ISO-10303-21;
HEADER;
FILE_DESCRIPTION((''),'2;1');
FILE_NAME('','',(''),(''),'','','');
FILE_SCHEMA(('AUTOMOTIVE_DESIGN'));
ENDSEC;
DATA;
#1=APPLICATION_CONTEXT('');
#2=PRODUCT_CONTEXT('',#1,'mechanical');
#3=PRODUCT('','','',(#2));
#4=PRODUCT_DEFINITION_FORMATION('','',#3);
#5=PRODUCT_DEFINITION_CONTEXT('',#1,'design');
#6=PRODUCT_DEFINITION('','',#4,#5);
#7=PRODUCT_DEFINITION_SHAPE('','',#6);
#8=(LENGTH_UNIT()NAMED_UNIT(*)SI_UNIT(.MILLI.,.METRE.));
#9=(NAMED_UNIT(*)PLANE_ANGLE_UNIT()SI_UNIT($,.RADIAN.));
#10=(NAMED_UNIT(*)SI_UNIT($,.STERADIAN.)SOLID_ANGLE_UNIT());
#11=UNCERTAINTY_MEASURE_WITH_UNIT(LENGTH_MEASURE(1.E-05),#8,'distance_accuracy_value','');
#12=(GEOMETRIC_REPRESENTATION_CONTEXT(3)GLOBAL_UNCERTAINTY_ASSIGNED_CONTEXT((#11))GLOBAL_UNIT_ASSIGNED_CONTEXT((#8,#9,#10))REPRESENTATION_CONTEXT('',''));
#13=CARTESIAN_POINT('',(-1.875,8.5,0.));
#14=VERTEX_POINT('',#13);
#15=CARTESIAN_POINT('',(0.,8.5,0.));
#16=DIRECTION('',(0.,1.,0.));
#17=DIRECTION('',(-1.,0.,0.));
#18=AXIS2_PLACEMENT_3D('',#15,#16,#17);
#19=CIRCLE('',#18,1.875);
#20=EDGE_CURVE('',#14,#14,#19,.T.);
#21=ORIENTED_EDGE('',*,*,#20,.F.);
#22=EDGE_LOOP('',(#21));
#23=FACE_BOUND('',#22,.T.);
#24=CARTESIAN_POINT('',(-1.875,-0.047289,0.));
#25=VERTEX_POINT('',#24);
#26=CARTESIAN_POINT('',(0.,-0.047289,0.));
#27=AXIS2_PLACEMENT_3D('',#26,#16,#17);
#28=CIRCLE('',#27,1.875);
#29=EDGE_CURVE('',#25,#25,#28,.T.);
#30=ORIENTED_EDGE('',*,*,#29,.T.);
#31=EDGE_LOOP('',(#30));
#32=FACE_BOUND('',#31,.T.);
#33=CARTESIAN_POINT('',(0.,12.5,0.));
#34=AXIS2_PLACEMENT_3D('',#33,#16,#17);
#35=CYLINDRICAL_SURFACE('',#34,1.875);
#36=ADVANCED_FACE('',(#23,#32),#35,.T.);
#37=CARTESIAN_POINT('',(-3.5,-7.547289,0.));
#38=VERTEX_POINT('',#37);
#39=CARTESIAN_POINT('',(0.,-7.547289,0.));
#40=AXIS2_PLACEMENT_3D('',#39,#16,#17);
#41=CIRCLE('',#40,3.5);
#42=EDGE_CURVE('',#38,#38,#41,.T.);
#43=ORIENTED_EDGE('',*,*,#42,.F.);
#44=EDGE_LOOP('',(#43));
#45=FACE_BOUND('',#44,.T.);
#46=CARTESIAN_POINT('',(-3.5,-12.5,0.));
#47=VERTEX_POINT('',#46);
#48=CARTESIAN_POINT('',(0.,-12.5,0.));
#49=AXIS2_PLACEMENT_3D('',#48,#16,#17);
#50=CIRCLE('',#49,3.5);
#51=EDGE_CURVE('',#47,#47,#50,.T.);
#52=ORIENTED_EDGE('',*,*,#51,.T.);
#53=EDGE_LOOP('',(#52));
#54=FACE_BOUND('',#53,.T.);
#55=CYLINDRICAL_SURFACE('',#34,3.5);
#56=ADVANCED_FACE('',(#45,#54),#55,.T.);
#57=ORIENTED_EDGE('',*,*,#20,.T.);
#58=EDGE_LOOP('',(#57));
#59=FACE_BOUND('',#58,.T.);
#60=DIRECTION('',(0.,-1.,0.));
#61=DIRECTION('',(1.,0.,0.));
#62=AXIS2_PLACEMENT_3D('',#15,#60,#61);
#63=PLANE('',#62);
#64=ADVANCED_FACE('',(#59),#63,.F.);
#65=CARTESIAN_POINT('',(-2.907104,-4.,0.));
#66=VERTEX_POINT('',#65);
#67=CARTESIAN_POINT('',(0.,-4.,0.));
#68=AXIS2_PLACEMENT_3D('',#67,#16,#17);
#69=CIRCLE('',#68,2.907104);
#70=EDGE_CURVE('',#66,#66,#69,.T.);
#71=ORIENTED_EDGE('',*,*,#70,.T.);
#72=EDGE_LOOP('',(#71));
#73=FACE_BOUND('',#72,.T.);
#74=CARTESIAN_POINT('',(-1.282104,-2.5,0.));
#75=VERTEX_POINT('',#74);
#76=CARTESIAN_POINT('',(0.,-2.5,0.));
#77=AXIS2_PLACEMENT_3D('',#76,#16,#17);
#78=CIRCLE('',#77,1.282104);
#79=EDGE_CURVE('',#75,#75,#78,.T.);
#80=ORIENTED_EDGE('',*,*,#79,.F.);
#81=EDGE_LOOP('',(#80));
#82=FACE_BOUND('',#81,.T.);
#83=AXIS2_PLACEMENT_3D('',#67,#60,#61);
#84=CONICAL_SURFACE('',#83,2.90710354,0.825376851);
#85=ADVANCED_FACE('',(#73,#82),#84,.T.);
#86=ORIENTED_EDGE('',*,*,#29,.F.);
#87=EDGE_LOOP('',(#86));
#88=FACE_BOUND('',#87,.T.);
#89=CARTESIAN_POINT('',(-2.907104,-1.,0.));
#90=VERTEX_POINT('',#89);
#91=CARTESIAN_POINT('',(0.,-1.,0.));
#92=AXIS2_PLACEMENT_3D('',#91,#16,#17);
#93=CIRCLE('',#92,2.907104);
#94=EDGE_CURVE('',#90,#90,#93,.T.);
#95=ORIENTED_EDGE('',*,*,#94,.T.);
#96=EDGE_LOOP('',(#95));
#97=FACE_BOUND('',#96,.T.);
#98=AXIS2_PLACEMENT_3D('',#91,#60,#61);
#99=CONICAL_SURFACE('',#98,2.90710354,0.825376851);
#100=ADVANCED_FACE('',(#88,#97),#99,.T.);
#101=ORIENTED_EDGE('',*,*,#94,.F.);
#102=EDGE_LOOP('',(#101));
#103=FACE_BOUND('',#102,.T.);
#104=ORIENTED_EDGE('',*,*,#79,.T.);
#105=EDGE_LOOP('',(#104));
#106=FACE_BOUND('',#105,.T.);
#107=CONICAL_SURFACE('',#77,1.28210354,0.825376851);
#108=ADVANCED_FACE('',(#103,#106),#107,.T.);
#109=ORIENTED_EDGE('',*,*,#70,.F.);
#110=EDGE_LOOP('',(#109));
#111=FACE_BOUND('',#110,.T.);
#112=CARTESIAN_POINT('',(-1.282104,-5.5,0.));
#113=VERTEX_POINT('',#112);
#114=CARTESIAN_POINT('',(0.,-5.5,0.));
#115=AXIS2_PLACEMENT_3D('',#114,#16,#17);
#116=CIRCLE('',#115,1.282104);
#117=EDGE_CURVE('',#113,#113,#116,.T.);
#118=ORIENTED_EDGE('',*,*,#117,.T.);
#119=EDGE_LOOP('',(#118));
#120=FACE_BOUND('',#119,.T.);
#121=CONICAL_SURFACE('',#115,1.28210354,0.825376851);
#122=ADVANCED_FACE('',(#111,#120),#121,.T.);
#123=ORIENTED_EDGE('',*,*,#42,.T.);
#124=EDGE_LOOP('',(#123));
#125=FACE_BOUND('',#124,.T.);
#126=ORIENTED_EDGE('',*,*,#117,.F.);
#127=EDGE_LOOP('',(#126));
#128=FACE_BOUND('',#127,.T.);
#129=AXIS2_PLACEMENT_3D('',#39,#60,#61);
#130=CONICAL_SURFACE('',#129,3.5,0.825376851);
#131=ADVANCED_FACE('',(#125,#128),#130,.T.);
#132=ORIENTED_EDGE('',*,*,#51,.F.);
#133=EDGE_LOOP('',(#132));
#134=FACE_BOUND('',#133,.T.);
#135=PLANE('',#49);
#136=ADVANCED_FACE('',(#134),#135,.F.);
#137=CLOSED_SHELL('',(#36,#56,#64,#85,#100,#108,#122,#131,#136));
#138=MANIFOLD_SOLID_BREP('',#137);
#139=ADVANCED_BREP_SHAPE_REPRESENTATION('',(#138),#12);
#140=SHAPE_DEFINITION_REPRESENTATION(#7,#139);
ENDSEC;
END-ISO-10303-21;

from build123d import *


with BuildPart() as part:
    # Sketch1 → Revolve1 (revolve)
    with BuildSketch(Plane.XY):
        Polygon((0, 8.5), (1.875, 8.5), (1.875, 4.5), (1.875, -0.04728904), (2.90710354, -1), (1.28210354, -2.5), (2.90710354, -4), (1.28210354, -5.5), (3.5, -7.54728904), (3.5, -12.5), (0, -12.5), align=None)
    revolve(axis=Axis((0, 12.5, 0), (0, -1, 0)))


solid = part.part
